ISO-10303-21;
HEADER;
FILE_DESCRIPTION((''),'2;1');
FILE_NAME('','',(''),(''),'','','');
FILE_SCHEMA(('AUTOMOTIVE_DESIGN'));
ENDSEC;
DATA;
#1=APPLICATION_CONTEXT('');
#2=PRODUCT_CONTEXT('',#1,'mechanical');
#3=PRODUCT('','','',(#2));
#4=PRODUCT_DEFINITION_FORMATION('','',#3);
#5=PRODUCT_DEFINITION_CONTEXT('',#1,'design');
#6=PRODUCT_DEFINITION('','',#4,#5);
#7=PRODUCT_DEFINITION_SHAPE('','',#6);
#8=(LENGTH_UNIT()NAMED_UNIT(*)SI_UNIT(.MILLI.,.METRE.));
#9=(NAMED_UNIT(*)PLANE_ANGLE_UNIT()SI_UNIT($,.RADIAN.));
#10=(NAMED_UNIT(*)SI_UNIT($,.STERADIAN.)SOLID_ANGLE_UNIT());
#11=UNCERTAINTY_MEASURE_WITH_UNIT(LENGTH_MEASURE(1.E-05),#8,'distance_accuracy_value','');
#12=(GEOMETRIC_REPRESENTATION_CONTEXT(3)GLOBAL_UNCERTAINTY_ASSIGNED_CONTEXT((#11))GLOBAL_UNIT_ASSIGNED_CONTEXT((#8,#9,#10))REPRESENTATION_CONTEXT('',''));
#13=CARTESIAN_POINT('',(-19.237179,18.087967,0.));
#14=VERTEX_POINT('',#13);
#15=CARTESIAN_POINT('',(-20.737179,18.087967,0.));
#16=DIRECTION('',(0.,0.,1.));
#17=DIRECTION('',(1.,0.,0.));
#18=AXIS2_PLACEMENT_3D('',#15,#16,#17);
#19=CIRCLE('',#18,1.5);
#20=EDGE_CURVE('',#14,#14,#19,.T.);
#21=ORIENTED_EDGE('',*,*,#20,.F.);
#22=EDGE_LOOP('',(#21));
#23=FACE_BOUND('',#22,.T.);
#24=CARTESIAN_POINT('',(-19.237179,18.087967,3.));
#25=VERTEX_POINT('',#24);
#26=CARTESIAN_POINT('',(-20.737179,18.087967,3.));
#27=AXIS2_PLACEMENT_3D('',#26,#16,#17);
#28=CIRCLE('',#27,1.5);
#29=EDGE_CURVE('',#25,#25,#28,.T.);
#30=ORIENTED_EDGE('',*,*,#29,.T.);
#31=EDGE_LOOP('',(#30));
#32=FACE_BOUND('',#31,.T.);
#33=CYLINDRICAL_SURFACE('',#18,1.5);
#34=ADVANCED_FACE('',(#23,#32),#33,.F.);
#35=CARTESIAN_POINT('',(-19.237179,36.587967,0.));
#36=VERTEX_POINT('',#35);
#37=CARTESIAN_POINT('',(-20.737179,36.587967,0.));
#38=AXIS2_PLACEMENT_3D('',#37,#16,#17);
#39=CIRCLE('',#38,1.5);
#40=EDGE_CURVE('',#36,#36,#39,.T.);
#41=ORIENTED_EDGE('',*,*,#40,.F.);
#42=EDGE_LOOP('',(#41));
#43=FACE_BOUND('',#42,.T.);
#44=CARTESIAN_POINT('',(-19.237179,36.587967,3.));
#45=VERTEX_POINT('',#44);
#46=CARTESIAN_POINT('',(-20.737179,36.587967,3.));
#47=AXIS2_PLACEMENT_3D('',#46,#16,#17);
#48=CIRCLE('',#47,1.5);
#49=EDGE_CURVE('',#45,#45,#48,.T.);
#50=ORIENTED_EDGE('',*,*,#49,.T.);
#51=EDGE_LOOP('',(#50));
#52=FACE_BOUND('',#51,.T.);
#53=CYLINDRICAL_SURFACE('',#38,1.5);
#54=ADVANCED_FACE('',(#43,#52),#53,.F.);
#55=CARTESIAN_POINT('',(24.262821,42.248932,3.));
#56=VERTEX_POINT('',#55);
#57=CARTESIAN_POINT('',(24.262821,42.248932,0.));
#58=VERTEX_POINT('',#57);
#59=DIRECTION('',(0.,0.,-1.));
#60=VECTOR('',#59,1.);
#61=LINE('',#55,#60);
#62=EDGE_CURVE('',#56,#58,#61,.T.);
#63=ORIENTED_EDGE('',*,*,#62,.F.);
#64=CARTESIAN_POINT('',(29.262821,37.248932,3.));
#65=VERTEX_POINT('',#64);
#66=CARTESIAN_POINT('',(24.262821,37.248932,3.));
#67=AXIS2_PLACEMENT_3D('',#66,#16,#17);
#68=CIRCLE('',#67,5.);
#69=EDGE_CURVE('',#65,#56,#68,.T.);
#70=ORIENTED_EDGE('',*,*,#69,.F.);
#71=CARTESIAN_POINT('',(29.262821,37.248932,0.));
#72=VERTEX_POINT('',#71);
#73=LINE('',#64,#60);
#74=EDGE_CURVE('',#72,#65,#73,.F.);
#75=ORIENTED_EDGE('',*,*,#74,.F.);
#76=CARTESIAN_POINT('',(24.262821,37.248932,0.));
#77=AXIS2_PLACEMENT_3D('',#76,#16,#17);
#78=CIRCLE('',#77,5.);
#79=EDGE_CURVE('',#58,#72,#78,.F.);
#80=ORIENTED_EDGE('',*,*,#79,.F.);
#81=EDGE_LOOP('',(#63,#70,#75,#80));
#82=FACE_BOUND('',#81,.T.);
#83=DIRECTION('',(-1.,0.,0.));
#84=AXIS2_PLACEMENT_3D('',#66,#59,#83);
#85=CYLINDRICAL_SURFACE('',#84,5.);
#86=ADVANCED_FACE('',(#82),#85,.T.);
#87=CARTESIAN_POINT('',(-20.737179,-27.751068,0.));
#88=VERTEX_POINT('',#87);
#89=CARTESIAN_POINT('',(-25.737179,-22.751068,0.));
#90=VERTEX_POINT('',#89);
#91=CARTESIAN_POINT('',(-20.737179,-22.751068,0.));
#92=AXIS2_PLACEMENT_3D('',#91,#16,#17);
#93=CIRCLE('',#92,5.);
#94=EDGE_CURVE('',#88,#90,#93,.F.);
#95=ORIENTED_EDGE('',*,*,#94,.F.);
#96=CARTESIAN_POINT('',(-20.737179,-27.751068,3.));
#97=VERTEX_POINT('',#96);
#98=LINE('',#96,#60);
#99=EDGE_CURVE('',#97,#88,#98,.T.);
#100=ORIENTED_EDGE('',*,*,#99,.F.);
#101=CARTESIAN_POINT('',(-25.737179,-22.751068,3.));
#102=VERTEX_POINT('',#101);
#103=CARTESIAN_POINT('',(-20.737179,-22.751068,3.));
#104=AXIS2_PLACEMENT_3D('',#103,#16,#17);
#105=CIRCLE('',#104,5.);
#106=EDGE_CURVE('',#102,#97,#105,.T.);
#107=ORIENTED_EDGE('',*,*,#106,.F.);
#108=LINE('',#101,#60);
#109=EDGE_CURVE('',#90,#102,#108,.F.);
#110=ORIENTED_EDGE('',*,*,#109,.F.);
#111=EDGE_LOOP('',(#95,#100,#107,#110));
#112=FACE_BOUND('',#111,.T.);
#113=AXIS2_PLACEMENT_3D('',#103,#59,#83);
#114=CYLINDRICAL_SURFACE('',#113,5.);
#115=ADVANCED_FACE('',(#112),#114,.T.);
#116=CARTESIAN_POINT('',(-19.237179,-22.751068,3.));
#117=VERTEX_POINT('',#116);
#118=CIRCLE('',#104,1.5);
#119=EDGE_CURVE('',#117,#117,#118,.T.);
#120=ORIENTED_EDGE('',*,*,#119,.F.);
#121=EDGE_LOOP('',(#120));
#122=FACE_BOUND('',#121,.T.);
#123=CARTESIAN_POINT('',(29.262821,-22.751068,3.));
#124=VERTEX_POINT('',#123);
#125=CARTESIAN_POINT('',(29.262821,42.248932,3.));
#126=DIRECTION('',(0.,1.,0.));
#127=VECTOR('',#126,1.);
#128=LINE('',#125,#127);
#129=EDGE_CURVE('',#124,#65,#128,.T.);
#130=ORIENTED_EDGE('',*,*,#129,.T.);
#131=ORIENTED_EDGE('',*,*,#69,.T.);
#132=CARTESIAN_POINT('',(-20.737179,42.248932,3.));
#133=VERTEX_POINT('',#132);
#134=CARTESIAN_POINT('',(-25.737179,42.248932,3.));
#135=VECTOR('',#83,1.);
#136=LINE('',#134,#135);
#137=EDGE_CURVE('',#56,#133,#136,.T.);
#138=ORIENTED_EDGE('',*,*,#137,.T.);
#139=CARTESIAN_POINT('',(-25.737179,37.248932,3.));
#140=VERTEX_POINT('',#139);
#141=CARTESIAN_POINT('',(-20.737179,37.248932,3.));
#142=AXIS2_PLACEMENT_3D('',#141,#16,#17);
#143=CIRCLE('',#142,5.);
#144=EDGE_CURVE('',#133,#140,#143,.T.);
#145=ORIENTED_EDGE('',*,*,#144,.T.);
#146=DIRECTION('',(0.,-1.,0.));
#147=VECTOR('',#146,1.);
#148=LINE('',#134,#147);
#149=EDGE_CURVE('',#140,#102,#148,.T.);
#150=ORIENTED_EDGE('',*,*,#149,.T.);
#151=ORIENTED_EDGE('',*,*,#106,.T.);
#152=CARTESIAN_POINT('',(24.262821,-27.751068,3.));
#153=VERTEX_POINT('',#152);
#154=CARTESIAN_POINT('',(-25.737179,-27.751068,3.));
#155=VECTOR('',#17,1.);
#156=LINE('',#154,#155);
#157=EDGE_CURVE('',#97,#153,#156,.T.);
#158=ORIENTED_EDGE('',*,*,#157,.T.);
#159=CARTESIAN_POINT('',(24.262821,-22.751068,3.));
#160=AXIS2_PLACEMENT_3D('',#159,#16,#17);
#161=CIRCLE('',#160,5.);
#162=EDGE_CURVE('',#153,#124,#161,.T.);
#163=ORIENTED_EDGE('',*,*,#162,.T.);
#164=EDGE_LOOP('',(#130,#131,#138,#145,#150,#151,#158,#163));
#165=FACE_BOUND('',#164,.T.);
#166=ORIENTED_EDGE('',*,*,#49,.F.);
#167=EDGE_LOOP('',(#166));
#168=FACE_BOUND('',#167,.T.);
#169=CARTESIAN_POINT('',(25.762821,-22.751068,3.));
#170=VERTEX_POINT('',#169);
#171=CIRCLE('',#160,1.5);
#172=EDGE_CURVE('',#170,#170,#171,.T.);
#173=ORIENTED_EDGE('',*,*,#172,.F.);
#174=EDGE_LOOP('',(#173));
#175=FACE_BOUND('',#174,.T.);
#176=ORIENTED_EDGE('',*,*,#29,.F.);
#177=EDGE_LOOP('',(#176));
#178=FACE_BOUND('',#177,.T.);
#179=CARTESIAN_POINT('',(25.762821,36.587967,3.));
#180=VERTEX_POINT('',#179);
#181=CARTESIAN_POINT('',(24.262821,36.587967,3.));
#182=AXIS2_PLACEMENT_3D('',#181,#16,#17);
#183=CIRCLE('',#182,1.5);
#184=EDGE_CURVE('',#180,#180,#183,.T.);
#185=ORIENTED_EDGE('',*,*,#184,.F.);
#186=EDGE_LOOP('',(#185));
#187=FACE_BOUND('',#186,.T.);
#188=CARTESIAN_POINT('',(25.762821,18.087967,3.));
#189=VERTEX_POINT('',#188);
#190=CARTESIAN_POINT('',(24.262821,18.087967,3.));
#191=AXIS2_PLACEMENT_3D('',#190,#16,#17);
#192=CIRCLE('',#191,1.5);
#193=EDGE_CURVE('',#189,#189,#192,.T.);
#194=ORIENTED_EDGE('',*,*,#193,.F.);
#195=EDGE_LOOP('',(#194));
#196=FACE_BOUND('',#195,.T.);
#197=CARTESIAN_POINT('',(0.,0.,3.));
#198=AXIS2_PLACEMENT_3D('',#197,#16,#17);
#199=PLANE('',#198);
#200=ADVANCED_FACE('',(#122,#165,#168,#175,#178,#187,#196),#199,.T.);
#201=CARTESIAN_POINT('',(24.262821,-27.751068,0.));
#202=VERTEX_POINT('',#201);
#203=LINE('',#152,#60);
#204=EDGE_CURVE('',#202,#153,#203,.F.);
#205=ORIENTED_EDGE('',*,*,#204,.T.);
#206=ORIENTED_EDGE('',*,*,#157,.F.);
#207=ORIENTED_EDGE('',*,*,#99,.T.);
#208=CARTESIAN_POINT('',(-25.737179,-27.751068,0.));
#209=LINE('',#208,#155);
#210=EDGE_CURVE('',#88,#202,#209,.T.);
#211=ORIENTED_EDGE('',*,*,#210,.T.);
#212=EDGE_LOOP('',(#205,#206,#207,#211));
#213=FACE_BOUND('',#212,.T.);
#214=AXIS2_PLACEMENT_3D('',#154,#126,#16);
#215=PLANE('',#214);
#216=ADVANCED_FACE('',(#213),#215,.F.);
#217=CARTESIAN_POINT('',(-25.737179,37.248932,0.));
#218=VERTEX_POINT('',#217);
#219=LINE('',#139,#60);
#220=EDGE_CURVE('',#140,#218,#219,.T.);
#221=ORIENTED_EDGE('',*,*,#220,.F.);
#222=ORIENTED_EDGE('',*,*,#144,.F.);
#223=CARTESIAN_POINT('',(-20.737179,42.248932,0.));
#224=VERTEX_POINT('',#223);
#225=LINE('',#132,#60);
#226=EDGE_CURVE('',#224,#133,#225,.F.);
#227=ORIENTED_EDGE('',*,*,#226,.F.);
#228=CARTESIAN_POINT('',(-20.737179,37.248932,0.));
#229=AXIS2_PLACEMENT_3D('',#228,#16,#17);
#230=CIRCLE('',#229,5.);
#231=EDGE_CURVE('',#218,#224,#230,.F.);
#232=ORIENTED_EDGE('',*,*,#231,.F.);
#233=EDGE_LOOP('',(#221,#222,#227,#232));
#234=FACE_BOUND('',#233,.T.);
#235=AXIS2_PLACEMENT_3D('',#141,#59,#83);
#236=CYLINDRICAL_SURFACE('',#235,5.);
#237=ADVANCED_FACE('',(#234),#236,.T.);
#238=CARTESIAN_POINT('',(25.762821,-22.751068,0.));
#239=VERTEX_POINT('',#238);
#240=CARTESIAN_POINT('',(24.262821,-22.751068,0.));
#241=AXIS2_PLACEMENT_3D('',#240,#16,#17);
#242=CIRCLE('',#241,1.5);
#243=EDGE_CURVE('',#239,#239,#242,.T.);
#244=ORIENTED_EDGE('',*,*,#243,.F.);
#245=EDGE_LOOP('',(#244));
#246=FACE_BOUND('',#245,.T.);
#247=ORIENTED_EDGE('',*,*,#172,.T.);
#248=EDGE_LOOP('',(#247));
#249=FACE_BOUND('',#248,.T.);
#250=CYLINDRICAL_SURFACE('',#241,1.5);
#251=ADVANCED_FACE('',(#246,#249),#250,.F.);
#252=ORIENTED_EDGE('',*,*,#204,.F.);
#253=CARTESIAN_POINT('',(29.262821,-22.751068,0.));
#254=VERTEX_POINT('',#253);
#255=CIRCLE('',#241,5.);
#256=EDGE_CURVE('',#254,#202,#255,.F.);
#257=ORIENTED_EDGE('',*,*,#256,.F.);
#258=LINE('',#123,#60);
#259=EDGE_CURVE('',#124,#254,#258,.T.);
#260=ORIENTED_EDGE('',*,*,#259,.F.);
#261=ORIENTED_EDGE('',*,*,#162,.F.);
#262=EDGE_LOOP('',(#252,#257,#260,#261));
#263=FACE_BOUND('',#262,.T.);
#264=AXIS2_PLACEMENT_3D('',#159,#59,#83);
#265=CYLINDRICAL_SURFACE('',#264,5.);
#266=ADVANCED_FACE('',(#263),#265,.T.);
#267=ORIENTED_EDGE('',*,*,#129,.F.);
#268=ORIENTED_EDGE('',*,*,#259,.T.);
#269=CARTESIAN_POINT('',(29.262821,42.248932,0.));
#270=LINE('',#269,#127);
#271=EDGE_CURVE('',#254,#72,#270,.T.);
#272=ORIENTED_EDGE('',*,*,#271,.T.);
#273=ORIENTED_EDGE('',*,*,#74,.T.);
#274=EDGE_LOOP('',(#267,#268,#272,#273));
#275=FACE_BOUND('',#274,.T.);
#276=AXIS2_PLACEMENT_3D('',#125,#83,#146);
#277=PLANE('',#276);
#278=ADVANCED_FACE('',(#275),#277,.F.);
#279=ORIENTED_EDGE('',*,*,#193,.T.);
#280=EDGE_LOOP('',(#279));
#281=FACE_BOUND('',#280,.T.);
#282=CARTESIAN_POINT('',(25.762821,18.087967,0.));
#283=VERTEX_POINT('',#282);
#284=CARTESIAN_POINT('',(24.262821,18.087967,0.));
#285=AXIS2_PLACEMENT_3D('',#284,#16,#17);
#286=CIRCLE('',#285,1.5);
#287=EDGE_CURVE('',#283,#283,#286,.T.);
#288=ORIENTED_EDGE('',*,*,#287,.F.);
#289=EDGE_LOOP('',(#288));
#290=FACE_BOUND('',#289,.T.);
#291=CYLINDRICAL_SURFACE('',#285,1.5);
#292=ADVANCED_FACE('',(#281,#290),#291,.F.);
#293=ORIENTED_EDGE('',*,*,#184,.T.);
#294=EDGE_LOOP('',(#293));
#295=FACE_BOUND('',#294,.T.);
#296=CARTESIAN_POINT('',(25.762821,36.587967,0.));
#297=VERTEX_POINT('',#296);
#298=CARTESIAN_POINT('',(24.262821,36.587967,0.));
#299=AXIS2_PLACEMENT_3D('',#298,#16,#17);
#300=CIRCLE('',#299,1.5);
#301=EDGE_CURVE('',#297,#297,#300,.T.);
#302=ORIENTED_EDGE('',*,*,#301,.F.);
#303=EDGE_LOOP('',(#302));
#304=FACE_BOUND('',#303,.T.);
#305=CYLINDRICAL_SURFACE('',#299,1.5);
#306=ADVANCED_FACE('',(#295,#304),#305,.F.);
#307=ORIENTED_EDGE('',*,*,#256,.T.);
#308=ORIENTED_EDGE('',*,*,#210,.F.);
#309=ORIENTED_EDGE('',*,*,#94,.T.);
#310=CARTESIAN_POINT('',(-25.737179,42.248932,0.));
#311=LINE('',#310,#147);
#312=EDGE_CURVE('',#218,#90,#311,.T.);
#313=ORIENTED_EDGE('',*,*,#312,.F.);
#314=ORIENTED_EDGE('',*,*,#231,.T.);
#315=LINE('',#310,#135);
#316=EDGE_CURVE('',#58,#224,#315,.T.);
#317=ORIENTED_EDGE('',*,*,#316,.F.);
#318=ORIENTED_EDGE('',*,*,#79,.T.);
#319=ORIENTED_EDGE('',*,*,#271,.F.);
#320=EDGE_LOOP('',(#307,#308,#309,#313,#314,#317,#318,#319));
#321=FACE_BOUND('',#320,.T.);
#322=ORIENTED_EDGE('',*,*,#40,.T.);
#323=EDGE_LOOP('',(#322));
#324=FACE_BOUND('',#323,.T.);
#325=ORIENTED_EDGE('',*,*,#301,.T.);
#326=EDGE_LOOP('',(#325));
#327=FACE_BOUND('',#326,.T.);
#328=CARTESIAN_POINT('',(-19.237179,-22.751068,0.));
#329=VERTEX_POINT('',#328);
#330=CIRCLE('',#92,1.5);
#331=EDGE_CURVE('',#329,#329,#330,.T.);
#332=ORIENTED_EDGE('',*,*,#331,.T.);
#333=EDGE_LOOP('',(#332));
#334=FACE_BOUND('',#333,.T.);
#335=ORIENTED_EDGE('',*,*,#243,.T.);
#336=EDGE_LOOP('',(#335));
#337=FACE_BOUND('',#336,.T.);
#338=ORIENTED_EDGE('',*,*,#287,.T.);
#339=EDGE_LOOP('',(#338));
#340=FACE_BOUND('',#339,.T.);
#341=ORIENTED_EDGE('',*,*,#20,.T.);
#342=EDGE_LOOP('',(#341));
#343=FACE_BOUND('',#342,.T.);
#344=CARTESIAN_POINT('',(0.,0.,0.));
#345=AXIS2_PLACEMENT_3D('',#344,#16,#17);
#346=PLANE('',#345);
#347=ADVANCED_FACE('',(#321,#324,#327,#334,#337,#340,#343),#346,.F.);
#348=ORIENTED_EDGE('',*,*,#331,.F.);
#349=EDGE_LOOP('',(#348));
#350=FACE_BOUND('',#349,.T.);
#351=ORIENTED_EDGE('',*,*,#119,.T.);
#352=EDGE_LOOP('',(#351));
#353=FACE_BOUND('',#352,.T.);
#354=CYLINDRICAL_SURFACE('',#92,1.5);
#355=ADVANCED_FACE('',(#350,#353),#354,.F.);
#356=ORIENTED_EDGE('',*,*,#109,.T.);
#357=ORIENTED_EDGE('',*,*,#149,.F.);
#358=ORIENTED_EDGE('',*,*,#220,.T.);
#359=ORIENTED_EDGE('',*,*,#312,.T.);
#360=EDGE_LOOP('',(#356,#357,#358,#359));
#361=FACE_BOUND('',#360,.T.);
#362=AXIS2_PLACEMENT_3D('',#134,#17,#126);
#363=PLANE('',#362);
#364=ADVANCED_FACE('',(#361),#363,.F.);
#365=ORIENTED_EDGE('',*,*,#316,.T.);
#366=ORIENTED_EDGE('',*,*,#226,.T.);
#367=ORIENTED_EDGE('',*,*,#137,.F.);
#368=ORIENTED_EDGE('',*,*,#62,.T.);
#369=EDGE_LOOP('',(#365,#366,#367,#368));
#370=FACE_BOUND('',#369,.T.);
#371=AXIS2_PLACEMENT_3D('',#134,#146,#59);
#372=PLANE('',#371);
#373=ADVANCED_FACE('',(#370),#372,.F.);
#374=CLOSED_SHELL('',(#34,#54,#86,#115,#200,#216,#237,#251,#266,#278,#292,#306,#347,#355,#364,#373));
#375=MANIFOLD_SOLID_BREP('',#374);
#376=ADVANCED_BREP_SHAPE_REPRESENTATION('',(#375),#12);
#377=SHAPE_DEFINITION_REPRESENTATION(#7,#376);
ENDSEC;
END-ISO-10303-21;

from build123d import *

# Parameters (mm, degrees)
SKETCH1_W           = 55
SKETCH1_H           = 70
BOSS_EXTRUDE1_DEPTH = 3
SKETCH2_R           = 1.5
CUT_EXTRUDE1_DEPTH  = 3
FILLET1_R           = 5


with BuildPart() as part:
    # Sketch1 → Boss-Extrude1 (new body)
    with BuildSketch(Plane.XY):
        with Locations((1.762820513, 7.248931624)):
            Rectangle(SKETCH1_W, SKETCH1_H)
    extrude(amount=BOSS_EXTRUDE1_DEPTH)

    # Sketch2 → Cut-Extrude1 (cut)
    with BuildSketch(Plane.XY.offset(3)):
        with Locations((-20.737179487, 36.587967336)):
            Circle(SKETCH2_R)
        with Locations((24.262820513, 36.587967336)):
            Circle(SKETCH2_R)
        with Locations((-20.737179487, 18.087967336)):
            Circle(SKETCH2_R)
        with Locations((24.262820513, 18.087967336)):
            Circle(SKETCH2_R)
        with Locations((-20.737179487, -22.751068376)):
            Circle(SKETCH2_R)
        with Locations((24.262820513, -22.751068376)):
            Circle(SKETCH2_R)
    extrude(amount=-CUT_EXTRUDE1_DEPTH, mode=Mode.SUBTRACT)

    # Fillet1
    fillet1_edges = [part.edges().sort_by_distance(p)[0] for p in [
        (-25.737179487, 42.248931624, 1.5),
        (29.262820513, 42.248931624, 1.5),
        (29.262820513, -27.751068376, 1.5),
        (-25.737179487, -27.751068376, 1.5),
    ]]
    fillet(fillet1_edges, radius=FILLET1_R)


solid = part.part
